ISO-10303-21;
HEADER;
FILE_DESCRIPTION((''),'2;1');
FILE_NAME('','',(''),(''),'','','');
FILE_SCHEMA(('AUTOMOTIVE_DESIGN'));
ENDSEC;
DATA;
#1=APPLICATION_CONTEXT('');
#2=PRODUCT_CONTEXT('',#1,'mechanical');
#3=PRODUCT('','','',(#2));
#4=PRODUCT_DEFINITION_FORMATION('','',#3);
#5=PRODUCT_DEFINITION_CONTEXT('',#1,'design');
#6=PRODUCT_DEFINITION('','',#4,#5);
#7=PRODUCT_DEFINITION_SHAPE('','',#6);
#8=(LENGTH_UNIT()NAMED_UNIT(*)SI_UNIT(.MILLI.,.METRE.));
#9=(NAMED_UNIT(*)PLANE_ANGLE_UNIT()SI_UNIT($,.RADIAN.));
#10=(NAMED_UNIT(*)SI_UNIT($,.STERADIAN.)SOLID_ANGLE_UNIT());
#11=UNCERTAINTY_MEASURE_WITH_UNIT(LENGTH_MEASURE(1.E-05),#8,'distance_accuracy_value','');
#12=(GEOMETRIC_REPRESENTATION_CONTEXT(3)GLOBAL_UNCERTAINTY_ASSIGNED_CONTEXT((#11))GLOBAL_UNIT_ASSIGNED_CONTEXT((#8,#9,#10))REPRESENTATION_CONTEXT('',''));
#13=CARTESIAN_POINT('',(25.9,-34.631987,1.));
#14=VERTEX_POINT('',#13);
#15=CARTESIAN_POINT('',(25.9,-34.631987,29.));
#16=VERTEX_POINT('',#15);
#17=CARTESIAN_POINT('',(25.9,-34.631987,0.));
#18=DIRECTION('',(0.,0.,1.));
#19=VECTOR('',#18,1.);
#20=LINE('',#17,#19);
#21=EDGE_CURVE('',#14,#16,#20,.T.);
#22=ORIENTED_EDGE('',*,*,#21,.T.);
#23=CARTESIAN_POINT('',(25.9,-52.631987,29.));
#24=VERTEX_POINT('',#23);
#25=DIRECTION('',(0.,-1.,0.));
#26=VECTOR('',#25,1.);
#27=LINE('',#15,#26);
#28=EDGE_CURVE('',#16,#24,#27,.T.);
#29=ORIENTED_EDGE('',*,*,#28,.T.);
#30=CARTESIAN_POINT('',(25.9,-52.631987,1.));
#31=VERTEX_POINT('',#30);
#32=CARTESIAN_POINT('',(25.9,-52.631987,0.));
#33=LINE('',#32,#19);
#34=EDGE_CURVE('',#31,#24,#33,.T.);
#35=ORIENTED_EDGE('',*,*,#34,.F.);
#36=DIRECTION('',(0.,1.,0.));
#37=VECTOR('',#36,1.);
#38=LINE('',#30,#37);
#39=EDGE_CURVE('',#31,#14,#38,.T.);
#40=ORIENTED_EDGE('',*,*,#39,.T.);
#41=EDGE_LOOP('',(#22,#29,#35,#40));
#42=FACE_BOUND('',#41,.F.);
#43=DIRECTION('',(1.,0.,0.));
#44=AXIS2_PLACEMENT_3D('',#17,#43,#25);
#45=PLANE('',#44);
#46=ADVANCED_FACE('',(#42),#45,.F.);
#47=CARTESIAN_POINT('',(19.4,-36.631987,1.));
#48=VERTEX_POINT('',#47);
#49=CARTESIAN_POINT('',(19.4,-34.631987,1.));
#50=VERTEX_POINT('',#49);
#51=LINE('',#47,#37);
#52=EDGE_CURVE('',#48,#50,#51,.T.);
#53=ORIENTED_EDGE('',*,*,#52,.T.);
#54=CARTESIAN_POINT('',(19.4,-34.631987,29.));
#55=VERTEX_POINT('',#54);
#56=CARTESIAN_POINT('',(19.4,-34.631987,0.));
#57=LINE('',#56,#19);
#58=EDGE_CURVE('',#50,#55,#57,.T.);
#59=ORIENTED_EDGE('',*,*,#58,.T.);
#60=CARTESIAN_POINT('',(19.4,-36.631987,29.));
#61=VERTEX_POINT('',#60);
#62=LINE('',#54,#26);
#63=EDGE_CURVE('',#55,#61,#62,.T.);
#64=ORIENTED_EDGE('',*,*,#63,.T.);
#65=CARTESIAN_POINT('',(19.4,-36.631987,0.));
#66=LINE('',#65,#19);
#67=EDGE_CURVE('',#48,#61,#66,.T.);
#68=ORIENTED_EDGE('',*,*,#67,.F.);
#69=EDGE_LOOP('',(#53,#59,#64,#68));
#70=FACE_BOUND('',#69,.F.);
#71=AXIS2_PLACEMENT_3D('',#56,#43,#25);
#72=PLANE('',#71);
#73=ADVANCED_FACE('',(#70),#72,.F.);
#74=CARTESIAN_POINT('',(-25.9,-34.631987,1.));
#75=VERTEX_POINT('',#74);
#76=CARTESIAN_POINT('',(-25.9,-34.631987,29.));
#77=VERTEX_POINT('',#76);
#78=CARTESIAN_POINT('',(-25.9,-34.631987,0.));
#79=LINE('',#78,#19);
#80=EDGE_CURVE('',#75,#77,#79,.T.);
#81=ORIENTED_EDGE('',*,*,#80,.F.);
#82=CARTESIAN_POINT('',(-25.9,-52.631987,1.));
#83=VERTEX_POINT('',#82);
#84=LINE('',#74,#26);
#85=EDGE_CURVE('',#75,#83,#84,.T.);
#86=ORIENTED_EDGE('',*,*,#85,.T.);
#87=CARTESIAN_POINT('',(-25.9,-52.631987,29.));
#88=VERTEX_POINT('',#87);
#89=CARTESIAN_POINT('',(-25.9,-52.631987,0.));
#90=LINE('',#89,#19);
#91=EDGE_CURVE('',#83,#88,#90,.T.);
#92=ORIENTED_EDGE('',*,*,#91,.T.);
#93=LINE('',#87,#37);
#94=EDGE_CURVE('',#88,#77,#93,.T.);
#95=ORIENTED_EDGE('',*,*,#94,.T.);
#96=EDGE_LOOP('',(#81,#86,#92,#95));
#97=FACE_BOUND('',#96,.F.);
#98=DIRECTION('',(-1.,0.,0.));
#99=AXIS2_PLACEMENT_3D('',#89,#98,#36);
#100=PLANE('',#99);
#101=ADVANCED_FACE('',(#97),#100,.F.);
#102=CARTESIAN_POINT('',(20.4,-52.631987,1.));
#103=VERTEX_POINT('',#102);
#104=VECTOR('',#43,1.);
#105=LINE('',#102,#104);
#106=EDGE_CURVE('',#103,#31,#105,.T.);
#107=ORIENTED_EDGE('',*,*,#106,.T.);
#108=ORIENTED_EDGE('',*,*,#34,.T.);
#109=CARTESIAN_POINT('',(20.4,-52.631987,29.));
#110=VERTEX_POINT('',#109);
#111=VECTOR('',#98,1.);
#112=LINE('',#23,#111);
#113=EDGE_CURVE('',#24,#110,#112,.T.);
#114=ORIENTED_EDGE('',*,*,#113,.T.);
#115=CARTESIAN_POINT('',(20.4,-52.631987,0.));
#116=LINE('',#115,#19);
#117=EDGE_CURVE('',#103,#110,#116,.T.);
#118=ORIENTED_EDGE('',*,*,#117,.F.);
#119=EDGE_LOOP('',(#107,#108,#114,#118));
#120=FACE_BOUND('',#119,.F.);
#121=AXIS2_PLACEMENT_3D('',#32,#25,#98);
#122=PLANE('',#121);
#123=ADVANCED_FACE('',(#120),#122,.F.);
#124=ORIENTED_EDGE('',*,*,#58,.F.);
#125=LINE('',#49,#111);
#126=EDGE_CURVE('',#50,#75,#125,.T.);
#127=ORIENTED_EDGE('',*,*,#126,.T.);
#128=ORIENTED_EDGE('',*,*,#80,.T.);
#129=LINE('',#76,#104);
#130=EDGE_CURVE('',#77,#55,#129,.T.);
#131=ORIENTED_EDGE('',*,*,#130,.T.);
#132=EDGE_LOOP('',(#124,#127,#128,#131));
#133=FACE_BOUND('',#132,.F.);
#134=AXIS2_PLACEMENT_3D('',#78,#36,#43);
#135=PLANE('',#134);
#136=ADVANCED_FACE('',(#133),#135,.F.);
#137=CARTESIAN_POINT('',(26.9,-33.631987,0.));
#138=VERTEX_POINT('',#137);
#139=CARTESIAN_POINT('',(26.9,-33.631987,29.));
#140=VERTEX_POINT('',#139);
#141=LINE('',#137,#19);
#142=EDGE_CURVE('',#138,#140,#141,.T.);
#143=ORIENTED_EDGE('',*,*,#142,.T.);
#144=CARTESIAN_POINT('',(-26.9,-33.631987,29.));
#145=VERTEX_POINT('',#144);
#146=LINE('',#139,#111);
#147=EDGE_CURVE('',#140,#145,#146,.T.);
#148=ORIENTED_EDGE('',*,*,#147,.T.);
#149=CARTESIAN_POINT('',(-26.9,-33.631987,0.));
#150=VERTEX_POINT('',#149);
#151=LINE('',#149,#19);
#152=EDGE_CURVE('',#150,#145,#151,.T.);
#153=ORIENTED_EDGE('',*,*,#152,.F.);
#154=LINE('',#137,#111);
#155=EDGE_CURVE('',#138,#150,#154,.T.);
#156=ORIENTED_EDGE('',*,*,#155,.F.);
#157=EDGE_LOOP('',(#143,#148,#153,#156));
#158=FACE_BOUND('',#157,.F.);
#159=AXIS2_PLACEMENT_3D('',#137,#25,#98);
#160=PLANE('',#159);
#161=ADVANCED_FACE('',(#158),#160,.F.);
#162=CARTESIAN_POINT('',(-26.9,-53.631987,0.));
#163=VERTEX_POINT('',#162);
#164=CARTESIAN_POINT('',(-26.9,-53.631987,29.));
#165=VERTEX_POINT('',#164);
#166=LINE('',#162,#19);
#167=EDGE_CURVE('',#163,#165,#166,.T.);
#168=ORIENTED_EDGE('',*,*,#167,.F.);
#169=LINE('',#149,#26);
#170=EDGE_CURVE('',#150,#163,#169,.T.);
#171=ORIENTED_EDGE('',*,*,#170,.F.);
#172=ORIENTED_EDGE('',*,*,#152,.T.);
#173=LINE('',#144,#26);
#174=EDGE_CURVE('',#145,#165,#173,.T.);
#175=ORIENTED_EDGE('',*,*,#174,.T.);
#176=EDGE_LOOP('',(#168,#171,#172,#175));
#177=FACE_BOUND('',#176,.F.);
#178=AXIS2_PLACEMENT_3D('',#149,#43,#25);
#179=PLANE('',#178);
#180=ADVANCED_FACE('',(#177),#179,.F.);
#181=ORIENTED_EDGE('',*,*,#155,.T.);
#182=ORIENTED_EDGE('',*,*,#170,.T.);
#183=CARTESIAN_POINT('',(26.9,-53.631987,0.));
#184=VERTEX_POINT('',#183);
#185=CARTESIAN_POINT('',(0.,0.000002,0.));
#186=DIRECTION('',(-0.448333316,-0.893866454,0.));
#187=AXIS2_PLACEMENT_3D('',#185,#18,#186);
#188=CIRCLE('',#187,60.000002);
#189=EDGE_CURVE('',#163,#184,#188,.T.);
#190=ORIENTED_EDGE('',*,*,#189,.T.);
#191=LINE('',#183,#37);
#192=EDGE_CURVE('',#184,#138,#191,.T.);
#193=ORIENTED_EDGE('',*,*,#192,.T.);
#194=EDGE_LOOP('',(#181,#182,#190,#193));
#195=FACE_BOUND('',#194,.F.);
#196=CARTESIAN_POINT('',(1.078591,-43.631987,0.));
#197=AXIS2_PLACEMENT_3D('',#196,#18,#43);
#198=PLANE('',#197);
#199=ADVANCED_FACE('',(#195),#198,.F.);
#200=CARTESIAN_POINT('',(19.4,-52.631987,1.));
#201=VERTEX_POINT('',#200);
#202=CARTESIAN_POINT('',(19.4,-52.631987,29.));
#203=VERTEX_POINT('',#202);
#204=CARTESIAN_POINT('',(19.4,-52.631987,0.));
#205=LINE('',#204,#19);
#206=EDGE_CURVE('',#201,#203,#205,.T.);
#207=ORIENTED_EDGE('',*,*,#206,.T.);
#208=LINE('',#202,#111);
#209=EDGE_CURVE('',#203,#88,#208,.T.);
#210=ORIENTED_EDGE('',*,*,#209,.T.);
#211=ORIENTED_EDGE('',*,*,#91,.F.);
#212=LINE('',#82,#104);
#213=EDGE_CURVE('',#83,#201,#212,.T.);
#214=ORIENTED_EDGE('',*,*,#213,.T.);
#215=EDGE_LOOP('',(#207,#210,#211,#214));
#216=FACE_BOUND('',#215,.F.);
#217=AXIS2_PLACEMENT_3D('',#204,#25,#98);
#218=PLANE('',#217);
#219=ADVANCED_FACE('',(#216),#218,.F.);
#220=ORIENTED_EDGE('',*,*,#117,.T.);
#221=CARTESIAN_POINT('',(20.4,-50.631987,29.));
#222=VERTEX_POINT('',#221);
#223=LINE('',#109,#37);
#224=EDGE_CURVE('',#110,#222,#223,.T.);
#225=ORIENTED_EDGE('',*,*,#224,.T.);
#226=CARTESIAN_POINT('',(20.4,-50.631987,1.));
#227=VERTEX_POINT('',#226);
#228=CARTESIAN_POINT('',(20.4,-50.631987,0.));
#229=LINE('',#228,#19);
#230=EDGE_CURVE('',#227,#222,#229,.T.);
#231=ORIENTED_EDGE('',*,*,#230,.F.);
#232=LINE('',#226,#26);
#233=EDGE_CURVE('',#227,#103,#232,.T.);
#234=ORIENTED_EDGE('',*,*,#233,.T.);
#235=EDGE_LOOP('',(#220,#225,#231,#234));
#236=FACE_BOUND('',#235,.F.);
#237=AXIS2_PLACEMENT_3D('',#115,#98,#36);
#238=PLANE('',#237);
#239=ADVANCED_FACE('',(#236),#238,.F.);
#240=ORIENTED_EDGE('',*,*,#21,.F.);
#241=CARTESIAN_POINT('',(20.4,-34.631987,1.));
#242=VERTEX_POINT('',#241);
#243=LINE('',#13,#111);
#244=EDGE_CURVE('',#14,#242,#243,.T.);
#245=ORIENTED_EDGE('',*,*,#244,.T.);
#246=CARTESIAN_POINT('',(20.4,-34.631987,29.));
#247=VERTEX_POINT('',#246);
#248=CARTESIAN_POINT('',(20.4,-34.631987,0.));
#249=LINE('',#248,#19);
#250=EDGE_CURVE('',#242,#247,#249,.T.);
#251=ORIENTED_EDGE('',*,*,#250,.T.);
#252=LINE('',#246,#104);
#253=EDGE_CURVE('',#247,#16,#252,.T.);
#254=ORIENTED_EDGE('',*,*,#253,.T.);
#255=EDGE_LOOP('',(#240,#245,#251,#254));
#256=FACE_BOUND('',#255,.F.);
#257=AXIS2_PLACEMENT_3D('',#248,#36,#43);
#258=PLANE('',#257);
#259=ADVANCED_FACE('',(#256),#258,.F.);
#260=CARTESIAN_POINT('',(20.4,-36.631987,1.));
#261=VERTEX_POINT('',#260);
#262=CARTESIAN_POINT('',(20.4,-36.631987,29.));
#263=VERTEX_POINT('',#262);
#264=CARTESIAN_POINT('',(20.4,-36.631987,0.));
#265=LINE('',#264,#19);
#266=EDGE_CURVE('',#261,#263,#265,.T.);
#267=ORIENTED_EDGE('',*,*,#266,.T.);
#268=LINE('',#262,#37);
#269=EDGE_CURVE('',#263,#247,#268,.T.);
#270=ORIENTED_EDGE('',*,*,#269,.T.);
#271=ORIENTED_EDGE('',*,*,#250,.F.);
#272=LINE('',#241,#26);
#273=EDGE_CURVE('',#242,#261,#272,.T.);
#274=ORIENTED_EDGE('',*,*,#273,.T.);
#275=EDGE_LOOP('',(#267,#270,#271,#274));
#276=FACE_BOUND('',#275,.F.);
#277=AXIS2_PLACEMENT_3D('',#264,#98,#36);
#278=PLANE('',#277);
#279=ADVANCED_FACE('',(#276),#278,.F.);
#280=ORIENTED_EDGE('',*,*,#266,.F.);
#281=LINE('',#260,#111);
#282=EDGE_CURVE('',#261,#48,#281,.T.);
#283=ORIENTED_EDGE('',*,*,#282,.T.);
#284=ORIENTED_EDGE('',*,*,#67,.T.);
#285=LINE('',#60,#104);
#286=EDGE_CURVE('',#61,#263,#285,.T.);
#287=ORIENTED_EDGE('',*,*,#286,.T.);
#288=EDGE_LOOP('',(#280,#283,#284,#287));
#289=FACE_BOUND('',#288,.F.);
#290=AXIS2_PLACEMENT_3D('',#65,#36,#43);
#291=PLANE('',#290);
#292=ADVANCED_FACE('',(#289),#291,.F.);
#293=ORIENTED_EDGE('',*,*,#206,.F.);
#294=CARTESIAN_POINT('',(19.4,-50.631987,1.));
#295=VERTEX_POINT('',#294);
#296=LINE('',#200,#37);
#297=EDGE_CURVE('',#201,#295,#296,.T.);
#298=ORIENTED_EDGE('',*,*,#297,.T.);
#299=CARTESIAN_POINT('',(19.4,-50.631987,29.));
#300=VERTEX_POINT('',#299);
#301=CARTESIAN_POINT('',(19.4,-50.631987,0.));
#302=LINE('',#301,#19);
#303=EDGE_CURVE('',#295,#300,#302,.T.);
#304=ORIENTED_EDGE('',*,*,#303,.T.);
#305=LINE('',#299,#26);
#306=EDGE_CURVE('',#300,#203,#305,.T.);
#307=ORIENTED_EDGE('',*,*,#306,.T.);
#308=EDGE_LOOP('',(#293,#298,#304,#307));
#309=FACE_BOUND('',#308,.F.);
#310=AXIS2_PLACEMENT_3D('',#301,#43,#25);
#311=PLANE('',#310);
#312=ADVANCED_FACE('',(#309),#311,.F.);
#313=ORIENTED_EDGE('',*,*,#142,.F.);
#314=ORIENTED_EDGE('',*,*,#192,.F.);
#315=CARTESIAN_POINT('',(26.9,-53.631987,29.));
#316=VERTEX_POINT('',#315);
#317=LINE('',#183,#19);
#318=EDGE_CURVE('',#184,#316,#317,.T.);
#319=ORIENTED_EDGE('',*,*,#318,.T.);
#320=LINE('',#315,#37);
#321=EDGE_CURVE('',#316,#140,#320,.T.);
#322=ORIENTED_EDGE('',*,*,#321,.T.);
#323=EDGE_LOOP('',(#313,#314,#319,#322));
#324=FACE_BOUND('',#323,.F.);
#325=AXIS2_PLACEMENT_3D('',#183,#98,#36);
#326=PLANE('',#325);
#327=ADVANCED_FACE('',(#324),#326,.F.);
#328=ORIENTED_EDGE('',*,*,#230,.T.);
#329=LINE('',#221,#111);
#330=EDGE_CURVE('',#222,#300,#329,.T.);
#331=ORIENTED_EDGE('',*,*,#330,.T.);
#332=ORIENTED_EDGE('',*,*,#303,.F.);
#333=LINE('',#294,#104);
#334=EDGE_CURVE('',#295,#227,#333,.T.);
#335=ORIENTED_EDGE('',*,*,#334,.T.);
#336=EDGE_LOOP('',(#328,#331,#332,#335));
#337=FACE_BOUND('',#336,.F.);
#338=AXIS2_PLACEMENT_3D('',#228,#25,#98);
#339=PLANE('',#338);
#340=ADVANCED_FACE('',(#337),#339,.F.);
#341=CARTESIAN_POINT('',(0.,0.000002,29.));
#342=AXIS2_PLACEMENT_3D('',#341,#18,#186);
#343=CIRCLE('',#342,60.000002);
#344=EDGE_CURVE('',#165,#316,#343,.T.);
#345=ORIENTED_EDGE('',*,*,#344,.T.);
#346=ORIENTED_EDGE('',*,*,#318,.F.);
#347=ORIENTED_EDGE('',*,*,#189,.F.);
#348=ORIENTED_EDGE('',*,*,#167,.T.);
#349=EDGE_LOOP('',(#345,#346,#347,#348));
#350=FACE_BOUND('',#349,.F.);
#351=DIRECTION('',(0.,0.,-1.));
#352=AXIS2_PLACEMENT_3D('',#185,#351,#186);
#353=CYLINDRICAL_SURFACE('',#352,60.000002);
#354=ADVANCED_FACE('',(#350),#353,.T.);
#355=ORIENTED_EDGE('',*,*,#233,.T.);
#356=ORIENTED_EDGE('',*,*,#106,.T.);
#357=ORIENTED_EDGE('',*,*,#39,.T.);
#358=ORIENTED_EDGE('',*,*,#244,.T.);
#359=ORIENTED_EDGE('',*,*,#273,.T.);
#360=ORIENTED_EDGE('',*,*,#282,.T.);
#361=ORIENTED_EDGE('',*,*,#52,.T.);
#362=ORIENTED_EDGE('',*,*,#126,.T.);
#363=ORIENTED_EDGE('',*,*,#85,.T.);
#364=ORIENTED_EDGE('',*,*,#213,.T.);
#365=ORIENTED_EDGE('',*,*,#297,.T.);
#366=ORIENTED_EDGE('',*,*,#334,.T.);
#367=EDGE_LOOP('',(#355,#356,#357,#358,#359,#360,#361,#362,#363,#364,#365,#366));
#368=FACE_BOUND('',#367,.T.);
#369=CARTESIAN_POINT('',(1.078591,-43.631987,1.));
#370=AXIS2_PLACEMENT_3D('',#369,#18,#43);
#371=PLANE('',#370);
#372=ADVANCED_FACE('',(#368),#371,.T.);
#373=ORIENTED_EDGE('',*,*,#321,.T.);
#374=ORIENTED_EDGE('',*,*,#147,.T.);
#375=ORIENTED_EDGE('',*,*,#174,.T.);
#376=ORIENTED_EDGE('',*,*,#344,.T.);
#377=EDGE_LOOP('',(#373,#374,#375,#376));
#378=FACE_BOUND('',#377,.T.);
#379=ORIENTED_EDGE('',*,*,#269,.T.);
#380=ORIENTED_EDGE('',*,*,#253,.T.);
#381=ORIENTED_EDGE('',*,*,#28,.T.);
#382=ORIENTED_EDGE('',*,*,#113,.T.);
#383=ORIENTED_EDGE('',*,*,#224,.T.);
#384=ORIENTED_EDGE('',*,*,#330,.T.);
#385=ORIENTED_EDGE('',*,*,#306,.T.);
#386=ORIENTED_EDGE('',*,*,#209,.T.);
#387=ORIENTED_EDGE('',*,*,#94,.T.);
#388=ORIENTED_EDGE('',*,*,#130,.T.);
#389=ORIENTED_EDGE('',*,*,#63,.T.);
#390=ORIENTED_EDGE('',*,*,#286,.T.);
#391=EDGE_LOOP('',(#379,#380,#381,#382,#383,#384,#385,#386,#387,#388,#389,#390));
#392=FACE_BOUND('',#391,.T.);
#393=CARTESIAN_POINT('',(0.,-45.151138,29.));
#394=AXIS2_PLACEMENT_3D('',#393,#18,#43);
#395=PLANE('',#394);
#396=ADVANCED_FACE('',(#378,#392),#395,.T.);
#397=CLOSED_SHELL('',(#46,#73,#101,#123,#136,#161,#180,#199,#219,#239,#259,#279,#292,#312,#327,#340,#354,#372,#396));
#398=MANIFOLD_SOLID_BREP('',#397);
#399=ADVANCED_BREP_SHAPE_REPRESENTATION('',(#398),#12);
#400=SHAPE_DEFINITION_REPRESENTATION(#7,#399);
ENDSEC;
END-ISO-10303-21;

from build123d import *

# Parameters (mm, degrees)
F1_DEPTH = 29
F2_DEPTH = 1


with BuildPart() as f1:
    # F0 (on Top) → F1 (new body)
    with BuildSketch(Plane.XY):
        with BuildLine():
            Line((-26.9, -33.631987), (-26.9, -53.631987))
            ThreePointArc((-26.9, -53.631987), (0, -60), (26.9, -53.631987))
            Line((26.9, -53.631987), (26.9, -33.631987))
            Line((26.9, -33.631987), (-26.9, -33.631987))
        make_face()
        Polygon((-25.9, -43.631987), (-25.9, -34.631987), (19.4, -34.631987), (19.4, -36.631987), (20.4, -36.631987), (20.4, -34.631987), (25.9, -34.631987), (25.9, -43.631987), (25.9, -52.631987), (20.4, -52.631987), (20.4, -50.631987), (19.4, -50.631987), (19.4, -52.631987), (-25.9, -52.631987), align=None, mode=Mode.SUBTRACT)
    extrude(amount=F1_DEPTH)

    # F0 (on Top) → F2 (join)
    with BuildSketch(Plane.XY):
        Polygon((19.4, -34.631987), (-25.9, -34.631987), (-25.9, -43.631987), (-25.9, -52.631987), (19.4, -52.631987), (19.4, -50.631987), (20.4, -50.631987), (20.4, -52.631987), (25.9, -52.631987), (25.9, -43.631987), (25.9, -34.631987), (20.4, -34.631987), (20.4, -36.631987), (19.4, -36.631987), align=None)
    extrude(amount=F2_DEPTH)


solid = f1.part
